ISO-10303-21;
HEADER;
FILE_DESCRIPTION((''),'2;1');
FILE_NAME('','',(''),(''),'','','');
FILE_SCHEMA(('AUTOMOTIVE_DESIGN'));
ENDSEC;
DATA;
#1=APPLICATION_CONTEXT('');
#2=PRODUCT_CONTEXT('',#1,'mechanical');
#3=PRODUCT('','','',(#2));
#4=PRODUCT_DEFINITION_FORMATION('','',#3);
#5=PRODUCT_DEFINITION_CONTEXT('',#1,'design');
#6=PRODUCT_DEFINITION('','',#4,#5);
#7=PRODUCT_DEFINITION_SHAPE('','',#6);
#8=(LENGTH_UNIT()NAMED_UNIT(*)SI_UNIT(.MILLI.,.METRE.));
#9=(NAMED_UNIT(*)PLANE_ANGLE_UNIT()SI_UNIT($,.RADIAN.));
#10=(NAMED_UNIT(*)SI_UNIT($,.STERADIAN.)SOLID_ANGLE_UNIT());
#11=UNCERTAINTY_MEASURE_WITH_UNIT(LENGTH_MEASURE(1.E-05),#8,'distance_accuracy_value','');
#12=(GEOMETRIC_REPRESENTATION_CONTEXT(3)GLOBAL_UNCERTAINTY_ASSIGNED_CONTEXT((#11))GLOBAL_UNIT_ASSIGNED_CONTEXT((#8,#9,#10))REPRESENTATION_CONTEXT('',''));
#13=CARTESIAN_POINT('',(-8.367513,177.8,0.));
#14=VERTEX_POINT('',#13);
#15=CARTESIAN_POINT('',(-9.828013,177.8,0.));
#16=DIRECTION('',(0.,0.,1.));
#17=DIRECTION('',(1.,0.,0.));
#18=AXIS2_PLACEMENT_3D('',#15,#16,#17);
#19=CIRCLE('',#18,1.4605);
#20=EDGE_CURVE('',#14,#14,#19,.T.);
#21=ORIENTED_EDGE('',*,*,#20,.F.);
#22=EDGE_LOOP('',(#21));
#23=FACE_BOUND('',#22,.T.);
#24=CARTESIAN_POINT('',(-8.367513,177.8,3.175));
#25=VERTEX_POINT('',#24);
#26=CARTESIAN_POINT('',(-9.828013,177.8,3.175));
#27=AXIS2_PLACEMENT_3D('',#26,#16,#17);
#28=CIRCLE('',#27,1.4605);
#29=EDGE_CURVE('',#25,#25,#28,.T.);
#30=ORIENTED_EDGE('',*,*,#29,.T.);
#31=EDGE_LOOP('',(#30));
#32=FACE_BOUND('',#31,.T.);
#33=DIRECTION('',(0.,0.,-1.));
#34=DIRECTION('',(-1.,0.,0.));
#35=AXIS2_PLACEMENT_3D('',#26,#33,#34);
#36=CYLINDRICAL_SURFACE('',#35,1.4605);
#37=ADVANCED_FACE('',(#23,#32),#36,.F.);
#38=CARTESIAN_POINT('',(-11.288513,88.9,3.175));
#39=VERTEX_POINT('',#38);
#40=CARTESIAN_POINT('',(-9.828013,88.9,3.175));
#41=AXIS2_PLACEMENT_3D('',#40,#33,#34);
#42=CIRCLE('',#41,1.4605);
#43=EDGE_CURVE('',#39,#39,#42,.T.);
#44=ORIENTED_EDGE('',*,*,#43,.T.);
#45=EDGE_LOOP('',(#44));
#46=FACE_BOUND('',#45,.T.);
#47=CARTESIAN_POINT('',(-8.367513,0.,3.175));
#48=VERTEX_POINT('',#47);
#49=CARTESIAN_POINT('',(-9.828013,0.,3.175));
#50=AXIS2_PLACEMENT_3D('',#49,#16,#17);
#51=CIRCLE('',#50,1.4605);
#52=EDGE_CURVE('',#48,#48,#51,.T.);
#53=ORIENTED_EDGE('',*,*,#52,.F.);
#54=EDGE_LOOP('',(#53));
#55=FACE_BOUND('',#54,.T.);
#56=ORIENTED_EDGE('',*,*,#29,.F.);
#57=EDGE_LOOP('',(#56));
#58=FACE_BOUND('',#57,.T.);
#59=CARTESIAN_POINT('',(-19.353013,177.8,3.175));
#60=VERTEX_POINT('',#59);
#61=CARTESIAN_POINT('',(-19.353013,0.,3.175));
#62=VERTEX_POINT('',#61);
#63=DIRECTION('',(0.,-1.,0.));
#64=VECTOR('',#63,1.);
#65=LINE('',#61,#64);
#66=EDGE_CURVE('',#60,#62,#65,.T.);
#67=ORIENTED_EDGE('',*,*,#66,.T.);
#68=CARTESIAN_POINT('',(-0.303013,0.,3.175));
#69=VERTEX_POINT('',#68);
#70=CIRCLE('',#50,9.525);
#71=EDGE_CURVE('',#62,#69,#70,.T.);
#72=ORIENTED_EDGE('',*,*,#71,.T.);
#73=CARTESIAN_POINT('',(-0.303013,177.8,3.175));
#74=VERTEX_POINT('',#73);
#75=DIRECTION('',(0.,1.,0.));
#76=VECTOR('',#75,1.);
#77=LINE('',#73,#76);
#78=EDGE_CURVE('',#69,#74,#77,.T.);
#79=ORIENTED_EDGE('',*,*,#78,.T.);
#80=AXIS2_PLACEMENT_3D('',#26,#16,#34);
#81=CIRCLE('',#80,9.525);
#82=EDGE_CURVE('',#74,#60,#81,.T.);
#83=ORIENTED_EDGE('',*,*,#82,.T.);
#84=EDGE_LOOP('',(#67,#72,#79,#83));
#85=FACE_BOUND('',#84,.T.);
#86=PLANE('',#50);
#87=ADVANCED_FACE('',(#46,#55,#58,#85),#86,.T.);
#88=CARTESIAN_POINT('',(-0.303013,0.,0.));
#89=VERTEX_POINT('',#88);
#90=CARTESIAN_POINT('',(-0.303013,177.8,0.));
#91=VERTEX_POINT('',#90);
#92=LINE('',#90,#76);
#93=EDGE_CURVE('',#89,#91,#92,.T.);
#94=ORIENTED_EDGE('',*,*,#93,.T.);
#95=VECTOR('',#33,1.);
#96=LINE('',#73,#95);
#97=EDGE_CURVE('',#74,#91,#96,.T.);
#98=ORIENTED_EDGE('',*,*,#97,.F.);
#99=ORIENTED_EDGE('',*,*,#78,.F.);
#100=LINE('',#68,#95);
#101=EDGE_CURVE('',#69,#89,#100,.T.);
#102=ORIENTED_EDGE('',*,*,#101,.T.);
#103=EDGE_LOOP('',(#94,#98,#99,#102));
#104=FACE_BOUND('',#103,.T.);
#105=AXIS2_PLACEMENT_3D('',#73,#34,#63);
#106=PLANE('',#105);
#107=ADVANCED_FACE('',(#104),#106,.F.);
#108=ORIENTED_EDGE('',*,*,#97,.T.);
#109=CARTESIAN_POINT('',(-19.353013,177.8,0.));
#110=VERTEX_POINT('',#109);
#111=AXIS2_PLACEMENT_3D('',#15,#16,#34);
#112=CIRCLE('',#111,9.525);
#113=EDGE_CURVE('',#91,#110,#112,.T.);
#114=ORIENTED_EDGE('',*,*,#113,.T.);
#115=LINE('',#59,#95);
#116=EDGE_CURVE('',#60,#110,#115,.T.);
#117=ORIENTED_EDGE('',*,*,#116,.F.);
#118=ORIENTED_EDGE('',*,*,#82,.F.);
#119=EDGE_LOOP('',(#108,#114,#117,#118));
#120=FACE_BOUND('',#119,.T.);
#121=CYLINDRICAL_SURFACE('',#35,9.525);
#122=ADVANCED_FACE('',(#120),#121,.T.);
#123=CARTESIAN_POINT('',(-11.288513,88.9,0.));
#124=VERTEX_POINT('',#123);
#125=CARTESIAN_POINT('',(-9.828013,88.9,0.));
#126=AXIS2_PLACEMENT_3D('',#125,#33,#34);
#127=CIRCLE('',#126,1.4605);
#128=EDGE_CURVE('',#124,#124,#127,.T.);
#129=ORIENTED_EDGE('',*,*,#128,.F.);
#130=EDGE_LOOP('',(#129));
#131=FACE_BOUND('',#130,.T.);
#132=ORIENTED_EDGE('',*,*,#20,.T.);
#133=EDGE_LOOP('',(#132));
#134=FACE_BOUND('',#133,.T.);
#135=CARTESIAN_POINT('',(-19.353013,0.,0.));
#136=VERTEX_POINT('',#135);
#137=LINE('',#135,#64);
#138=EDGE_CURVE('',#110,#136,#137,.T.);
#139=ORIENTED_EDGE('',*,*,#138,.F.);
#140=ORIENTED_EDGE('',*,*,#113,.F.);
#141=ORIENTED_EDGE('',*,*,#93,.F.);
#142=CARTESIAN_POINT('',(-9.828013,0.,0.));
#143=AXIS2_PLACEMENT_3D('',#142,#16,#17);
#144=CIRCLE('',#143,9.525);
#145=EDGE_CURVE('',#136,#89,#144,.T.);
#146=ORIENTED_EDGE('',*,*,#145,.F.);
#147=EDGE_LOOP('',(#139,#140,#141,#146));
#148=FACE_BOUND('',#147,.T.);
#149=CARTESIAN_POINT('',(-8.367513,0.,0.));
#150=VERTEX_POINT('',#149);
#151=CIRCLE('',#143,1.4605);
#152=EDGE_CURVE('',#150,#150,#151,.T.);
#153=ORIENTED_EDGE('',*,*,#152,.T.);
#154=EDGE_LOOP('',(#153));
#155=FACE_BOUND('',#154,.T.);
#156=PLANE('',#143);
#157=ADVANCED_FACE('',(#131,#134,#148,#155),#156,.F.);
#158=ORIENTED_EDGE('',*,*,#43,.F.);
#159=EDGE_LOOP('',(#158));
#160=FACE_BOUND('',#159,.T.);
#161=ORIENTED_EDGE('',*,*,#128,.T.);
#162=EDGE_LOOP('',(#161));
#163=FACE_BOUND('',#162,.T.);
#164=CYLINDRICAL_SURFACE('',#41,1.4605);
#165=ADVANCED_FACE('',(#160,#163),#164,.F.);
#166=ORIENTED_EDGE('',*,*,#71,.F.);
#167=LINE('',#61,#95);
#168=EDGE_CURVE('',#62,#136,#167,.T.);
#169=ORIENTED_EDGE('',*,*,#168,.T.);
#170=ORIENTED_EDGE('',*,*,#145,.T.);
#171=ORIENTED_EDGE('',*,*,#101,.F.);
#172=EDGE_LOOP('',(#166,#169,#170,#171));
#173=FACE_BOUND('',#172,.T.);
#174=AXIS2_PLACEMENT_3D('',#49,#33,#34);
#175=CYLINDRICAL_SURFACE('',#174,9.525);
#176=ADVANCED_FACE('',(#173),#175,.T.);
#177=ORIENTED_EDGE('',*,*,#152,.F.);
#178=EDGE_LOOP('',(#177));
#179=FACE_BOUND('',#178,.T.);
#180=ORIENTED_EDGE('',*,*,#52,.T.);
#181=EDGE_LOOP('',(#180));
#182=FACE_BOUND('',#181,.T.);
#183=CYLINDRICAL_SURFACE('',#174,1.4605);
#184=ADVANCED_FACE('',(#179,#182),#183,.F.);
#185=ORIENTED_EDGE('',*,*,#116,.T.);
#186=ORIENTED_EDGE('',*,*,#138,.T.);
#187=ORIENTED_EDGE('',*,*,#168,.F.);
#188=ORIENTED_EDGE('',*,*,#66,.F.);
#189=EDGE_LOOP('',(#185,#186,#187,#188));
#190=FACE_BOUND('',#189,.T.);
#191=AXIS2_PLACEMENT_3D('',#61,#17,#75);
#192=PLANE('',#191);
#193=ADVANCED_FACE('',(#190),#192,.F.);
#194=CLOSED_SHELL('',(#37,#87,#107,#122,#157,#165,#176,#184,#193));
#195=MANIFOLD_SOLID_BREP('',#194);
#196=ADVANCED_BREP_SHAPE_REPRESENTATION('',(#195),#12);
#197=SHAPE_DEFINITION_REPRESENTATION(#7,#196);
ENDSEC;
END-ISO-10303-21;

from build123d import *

# Parameters (mm, degrees)
SKETCH1_R           = 1.4605
BOSS_EXTRUDE1_DEPTH = 3.175
SKETCH2_R           = 1.4605
CUT_EXTRUDE1_DEPTH  = 3.175


with BuildPart() as part:
    # Sketch1 → Boss-Extrude1 (new body)
    with BuildSketch(Plane.XY):
        with BuildLine():
            Line((-19.353012887, 0), (-19.353012887, 177.8))
            ThreePointArc((-19.353012887, 177.8), (-9.828012887, 187.325), (-0.303012887, 177.8))
            Line((-0.303012887, 177.8), (-0.303012887, 0))
            ThreePointArc((-0.303012887, 0), (-9.828012887, -9.525), (-19.353012887, 0))
        make_face()
        with Locations((-9.828012887, 0)):
            Circle(SKETCH1_R, mode=Mode.SUBTRACT)
        with Locations((-9.828012887, 177.8)):
            Circle(SKETCH1_R, mode=Mode.SUBTRACT)
    extrude(amount=BOSS_EXTRUDE1_DEPTH)

    # Sketch2 → Cut-Extrude1 (cut)
    with BuildSketch(Plane(origin=(0, 0, 0), x_dir=(-1, 0, 0), z_dir=(0, 0, -1))):
        with Locations((9.828012887, 88.9)):
            Circle(SKETCH2_R)
    extrude(amount=-CUT_EXTRUDE1_DEPTH, mode=Mode.SUBTRACT)


solid = part.part
